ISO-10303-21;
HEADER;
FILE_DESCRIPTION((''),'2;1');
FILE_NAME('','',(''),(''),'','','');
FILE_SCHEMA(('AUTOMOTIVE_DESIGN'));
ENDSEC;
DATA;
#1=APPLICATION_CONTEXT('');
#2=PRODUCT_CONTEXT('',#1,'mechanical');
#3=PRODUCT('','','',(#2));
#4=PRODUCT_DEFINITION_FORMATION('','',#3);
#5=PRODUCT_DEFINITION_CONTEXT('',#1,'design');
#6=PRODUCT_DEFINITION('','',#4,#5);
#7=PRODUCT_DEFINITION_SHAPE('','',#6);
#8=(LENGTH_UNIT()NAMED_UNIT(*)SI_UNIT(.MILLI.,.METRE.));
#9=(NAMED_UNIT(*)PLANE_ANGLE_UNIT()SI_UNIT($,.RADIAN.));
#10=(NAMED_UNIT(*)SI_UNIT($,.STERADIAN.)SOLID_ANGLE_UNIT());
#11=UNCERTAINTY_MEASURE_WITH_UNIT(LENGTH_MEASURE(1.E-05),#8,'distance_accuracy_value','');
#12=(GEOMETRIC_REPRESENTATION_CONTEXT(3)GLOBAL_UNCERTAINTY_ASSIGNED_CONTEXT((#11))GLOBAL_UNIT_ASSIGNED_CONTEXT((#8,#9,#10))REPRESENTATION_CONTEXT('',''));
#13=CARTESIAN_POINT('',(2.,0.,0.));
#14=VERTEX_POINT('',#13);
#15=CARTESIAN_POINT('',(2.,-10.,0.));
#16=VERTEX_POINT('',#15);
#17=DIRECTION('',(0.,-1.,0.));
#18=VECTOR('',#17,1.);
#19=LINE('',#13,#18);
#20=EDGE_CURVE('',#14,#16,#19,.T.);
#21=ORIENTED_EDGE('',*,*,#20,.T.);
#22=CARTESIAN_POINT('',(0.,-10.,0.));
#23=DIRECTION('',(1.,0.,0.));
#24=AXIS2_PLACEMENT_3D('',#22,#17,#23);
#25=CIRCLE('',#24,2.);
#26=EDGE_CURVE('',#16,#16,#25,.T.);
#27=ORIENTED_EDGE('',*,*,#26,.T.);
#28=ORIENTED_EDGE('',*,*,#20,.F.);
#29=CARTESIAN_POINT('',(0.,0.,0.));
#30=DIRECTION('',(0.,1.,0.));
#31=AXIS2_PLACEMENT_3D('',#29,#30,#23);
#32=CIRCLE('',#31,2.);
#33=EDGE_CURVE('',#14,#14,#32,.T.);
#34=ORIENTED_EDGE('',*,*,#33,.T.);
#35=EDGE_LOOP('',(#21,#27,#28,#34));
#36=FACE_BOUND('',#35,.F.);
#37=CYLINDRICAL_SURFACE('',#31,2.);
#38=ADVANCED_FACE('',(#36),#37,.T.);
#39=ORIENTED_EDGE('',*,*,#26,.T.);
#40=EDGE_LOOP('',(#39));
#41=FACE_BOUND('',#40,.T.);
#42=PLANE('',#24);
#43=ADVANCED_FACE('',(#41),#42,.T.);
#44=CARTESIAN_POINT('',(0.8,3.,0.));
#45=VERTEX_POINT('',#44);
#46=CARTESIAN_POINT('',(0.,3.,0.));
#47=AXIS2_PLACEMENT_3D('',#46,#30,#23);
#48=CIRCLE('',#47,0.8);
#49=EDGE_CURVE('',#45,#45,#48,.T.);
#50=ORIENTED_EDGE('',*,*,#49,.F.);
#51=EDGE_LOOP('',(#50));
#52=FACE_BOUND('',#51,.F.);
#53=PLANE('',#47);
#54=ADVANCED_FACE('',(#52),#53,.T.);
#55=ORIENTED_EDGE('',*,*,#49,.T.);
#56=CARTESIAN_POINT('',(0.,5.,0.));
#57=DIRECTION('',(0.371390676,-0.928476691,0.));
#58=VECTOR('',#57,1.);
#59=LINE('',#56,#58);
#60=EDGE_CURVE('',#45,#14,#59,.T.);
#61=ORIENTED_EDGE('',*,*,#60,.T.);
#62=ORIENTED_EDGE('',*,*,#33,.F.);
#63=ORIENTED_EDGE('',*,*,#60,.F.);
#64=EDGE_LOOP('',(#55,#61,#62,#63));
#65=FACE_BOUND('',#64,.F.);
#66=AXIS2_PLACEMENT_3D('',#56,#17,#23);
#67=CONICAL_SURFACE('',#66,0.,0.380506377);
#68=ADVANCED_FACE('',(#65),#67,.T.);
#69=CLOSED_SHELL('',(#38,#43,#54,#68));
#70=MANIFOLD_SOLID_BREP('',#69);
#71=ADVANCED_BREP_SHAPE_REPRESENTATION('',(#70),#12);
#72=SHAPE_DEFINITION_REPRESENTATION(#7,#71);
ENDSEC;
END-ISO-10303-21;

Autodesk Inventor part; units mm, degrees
ref_plane "YZ Plane" through (0, 0, 0) normal (1, 0, 0) x (0, 1, 0)
ref_plane "XZ Plane" through (0, 0, 0) normal (0, 1, 0) x (-1, 0, 0)
ref_plane "XY Plane" through (0, 0, 0) normal (0, 0, 1) x (1, 0, 0)
sketch "草图1" plane through (0, 0, 0) normal (0, 0, 1) x (1, 0, 0)
  line L0 (0, 0) -> (0, 5)
  line L1 (0, 5) -> (2, 0)
  line L2 (2, 0) -> (0, 0)
  line L3 (0, 3) -> (0.8, 3)
  dimension "d0" = 2
  dimension "d1" = 5
  dimension "d2" = 0.8
revolve "旋转1" add sketch "草图1" angle 360 about axis through (0, 0, 0) along (0, 1, 0) contours L0 L3 L1 L2
sketch "草图2" plane through (0, 0, 0) normal (0, -1, 0) x (1, 0, 0)
  circle A0 centre (0, 0) radius 2 projected
extrude "拉伸1" add sketch "草图2" along normal blind 10
properties part number "针头"
